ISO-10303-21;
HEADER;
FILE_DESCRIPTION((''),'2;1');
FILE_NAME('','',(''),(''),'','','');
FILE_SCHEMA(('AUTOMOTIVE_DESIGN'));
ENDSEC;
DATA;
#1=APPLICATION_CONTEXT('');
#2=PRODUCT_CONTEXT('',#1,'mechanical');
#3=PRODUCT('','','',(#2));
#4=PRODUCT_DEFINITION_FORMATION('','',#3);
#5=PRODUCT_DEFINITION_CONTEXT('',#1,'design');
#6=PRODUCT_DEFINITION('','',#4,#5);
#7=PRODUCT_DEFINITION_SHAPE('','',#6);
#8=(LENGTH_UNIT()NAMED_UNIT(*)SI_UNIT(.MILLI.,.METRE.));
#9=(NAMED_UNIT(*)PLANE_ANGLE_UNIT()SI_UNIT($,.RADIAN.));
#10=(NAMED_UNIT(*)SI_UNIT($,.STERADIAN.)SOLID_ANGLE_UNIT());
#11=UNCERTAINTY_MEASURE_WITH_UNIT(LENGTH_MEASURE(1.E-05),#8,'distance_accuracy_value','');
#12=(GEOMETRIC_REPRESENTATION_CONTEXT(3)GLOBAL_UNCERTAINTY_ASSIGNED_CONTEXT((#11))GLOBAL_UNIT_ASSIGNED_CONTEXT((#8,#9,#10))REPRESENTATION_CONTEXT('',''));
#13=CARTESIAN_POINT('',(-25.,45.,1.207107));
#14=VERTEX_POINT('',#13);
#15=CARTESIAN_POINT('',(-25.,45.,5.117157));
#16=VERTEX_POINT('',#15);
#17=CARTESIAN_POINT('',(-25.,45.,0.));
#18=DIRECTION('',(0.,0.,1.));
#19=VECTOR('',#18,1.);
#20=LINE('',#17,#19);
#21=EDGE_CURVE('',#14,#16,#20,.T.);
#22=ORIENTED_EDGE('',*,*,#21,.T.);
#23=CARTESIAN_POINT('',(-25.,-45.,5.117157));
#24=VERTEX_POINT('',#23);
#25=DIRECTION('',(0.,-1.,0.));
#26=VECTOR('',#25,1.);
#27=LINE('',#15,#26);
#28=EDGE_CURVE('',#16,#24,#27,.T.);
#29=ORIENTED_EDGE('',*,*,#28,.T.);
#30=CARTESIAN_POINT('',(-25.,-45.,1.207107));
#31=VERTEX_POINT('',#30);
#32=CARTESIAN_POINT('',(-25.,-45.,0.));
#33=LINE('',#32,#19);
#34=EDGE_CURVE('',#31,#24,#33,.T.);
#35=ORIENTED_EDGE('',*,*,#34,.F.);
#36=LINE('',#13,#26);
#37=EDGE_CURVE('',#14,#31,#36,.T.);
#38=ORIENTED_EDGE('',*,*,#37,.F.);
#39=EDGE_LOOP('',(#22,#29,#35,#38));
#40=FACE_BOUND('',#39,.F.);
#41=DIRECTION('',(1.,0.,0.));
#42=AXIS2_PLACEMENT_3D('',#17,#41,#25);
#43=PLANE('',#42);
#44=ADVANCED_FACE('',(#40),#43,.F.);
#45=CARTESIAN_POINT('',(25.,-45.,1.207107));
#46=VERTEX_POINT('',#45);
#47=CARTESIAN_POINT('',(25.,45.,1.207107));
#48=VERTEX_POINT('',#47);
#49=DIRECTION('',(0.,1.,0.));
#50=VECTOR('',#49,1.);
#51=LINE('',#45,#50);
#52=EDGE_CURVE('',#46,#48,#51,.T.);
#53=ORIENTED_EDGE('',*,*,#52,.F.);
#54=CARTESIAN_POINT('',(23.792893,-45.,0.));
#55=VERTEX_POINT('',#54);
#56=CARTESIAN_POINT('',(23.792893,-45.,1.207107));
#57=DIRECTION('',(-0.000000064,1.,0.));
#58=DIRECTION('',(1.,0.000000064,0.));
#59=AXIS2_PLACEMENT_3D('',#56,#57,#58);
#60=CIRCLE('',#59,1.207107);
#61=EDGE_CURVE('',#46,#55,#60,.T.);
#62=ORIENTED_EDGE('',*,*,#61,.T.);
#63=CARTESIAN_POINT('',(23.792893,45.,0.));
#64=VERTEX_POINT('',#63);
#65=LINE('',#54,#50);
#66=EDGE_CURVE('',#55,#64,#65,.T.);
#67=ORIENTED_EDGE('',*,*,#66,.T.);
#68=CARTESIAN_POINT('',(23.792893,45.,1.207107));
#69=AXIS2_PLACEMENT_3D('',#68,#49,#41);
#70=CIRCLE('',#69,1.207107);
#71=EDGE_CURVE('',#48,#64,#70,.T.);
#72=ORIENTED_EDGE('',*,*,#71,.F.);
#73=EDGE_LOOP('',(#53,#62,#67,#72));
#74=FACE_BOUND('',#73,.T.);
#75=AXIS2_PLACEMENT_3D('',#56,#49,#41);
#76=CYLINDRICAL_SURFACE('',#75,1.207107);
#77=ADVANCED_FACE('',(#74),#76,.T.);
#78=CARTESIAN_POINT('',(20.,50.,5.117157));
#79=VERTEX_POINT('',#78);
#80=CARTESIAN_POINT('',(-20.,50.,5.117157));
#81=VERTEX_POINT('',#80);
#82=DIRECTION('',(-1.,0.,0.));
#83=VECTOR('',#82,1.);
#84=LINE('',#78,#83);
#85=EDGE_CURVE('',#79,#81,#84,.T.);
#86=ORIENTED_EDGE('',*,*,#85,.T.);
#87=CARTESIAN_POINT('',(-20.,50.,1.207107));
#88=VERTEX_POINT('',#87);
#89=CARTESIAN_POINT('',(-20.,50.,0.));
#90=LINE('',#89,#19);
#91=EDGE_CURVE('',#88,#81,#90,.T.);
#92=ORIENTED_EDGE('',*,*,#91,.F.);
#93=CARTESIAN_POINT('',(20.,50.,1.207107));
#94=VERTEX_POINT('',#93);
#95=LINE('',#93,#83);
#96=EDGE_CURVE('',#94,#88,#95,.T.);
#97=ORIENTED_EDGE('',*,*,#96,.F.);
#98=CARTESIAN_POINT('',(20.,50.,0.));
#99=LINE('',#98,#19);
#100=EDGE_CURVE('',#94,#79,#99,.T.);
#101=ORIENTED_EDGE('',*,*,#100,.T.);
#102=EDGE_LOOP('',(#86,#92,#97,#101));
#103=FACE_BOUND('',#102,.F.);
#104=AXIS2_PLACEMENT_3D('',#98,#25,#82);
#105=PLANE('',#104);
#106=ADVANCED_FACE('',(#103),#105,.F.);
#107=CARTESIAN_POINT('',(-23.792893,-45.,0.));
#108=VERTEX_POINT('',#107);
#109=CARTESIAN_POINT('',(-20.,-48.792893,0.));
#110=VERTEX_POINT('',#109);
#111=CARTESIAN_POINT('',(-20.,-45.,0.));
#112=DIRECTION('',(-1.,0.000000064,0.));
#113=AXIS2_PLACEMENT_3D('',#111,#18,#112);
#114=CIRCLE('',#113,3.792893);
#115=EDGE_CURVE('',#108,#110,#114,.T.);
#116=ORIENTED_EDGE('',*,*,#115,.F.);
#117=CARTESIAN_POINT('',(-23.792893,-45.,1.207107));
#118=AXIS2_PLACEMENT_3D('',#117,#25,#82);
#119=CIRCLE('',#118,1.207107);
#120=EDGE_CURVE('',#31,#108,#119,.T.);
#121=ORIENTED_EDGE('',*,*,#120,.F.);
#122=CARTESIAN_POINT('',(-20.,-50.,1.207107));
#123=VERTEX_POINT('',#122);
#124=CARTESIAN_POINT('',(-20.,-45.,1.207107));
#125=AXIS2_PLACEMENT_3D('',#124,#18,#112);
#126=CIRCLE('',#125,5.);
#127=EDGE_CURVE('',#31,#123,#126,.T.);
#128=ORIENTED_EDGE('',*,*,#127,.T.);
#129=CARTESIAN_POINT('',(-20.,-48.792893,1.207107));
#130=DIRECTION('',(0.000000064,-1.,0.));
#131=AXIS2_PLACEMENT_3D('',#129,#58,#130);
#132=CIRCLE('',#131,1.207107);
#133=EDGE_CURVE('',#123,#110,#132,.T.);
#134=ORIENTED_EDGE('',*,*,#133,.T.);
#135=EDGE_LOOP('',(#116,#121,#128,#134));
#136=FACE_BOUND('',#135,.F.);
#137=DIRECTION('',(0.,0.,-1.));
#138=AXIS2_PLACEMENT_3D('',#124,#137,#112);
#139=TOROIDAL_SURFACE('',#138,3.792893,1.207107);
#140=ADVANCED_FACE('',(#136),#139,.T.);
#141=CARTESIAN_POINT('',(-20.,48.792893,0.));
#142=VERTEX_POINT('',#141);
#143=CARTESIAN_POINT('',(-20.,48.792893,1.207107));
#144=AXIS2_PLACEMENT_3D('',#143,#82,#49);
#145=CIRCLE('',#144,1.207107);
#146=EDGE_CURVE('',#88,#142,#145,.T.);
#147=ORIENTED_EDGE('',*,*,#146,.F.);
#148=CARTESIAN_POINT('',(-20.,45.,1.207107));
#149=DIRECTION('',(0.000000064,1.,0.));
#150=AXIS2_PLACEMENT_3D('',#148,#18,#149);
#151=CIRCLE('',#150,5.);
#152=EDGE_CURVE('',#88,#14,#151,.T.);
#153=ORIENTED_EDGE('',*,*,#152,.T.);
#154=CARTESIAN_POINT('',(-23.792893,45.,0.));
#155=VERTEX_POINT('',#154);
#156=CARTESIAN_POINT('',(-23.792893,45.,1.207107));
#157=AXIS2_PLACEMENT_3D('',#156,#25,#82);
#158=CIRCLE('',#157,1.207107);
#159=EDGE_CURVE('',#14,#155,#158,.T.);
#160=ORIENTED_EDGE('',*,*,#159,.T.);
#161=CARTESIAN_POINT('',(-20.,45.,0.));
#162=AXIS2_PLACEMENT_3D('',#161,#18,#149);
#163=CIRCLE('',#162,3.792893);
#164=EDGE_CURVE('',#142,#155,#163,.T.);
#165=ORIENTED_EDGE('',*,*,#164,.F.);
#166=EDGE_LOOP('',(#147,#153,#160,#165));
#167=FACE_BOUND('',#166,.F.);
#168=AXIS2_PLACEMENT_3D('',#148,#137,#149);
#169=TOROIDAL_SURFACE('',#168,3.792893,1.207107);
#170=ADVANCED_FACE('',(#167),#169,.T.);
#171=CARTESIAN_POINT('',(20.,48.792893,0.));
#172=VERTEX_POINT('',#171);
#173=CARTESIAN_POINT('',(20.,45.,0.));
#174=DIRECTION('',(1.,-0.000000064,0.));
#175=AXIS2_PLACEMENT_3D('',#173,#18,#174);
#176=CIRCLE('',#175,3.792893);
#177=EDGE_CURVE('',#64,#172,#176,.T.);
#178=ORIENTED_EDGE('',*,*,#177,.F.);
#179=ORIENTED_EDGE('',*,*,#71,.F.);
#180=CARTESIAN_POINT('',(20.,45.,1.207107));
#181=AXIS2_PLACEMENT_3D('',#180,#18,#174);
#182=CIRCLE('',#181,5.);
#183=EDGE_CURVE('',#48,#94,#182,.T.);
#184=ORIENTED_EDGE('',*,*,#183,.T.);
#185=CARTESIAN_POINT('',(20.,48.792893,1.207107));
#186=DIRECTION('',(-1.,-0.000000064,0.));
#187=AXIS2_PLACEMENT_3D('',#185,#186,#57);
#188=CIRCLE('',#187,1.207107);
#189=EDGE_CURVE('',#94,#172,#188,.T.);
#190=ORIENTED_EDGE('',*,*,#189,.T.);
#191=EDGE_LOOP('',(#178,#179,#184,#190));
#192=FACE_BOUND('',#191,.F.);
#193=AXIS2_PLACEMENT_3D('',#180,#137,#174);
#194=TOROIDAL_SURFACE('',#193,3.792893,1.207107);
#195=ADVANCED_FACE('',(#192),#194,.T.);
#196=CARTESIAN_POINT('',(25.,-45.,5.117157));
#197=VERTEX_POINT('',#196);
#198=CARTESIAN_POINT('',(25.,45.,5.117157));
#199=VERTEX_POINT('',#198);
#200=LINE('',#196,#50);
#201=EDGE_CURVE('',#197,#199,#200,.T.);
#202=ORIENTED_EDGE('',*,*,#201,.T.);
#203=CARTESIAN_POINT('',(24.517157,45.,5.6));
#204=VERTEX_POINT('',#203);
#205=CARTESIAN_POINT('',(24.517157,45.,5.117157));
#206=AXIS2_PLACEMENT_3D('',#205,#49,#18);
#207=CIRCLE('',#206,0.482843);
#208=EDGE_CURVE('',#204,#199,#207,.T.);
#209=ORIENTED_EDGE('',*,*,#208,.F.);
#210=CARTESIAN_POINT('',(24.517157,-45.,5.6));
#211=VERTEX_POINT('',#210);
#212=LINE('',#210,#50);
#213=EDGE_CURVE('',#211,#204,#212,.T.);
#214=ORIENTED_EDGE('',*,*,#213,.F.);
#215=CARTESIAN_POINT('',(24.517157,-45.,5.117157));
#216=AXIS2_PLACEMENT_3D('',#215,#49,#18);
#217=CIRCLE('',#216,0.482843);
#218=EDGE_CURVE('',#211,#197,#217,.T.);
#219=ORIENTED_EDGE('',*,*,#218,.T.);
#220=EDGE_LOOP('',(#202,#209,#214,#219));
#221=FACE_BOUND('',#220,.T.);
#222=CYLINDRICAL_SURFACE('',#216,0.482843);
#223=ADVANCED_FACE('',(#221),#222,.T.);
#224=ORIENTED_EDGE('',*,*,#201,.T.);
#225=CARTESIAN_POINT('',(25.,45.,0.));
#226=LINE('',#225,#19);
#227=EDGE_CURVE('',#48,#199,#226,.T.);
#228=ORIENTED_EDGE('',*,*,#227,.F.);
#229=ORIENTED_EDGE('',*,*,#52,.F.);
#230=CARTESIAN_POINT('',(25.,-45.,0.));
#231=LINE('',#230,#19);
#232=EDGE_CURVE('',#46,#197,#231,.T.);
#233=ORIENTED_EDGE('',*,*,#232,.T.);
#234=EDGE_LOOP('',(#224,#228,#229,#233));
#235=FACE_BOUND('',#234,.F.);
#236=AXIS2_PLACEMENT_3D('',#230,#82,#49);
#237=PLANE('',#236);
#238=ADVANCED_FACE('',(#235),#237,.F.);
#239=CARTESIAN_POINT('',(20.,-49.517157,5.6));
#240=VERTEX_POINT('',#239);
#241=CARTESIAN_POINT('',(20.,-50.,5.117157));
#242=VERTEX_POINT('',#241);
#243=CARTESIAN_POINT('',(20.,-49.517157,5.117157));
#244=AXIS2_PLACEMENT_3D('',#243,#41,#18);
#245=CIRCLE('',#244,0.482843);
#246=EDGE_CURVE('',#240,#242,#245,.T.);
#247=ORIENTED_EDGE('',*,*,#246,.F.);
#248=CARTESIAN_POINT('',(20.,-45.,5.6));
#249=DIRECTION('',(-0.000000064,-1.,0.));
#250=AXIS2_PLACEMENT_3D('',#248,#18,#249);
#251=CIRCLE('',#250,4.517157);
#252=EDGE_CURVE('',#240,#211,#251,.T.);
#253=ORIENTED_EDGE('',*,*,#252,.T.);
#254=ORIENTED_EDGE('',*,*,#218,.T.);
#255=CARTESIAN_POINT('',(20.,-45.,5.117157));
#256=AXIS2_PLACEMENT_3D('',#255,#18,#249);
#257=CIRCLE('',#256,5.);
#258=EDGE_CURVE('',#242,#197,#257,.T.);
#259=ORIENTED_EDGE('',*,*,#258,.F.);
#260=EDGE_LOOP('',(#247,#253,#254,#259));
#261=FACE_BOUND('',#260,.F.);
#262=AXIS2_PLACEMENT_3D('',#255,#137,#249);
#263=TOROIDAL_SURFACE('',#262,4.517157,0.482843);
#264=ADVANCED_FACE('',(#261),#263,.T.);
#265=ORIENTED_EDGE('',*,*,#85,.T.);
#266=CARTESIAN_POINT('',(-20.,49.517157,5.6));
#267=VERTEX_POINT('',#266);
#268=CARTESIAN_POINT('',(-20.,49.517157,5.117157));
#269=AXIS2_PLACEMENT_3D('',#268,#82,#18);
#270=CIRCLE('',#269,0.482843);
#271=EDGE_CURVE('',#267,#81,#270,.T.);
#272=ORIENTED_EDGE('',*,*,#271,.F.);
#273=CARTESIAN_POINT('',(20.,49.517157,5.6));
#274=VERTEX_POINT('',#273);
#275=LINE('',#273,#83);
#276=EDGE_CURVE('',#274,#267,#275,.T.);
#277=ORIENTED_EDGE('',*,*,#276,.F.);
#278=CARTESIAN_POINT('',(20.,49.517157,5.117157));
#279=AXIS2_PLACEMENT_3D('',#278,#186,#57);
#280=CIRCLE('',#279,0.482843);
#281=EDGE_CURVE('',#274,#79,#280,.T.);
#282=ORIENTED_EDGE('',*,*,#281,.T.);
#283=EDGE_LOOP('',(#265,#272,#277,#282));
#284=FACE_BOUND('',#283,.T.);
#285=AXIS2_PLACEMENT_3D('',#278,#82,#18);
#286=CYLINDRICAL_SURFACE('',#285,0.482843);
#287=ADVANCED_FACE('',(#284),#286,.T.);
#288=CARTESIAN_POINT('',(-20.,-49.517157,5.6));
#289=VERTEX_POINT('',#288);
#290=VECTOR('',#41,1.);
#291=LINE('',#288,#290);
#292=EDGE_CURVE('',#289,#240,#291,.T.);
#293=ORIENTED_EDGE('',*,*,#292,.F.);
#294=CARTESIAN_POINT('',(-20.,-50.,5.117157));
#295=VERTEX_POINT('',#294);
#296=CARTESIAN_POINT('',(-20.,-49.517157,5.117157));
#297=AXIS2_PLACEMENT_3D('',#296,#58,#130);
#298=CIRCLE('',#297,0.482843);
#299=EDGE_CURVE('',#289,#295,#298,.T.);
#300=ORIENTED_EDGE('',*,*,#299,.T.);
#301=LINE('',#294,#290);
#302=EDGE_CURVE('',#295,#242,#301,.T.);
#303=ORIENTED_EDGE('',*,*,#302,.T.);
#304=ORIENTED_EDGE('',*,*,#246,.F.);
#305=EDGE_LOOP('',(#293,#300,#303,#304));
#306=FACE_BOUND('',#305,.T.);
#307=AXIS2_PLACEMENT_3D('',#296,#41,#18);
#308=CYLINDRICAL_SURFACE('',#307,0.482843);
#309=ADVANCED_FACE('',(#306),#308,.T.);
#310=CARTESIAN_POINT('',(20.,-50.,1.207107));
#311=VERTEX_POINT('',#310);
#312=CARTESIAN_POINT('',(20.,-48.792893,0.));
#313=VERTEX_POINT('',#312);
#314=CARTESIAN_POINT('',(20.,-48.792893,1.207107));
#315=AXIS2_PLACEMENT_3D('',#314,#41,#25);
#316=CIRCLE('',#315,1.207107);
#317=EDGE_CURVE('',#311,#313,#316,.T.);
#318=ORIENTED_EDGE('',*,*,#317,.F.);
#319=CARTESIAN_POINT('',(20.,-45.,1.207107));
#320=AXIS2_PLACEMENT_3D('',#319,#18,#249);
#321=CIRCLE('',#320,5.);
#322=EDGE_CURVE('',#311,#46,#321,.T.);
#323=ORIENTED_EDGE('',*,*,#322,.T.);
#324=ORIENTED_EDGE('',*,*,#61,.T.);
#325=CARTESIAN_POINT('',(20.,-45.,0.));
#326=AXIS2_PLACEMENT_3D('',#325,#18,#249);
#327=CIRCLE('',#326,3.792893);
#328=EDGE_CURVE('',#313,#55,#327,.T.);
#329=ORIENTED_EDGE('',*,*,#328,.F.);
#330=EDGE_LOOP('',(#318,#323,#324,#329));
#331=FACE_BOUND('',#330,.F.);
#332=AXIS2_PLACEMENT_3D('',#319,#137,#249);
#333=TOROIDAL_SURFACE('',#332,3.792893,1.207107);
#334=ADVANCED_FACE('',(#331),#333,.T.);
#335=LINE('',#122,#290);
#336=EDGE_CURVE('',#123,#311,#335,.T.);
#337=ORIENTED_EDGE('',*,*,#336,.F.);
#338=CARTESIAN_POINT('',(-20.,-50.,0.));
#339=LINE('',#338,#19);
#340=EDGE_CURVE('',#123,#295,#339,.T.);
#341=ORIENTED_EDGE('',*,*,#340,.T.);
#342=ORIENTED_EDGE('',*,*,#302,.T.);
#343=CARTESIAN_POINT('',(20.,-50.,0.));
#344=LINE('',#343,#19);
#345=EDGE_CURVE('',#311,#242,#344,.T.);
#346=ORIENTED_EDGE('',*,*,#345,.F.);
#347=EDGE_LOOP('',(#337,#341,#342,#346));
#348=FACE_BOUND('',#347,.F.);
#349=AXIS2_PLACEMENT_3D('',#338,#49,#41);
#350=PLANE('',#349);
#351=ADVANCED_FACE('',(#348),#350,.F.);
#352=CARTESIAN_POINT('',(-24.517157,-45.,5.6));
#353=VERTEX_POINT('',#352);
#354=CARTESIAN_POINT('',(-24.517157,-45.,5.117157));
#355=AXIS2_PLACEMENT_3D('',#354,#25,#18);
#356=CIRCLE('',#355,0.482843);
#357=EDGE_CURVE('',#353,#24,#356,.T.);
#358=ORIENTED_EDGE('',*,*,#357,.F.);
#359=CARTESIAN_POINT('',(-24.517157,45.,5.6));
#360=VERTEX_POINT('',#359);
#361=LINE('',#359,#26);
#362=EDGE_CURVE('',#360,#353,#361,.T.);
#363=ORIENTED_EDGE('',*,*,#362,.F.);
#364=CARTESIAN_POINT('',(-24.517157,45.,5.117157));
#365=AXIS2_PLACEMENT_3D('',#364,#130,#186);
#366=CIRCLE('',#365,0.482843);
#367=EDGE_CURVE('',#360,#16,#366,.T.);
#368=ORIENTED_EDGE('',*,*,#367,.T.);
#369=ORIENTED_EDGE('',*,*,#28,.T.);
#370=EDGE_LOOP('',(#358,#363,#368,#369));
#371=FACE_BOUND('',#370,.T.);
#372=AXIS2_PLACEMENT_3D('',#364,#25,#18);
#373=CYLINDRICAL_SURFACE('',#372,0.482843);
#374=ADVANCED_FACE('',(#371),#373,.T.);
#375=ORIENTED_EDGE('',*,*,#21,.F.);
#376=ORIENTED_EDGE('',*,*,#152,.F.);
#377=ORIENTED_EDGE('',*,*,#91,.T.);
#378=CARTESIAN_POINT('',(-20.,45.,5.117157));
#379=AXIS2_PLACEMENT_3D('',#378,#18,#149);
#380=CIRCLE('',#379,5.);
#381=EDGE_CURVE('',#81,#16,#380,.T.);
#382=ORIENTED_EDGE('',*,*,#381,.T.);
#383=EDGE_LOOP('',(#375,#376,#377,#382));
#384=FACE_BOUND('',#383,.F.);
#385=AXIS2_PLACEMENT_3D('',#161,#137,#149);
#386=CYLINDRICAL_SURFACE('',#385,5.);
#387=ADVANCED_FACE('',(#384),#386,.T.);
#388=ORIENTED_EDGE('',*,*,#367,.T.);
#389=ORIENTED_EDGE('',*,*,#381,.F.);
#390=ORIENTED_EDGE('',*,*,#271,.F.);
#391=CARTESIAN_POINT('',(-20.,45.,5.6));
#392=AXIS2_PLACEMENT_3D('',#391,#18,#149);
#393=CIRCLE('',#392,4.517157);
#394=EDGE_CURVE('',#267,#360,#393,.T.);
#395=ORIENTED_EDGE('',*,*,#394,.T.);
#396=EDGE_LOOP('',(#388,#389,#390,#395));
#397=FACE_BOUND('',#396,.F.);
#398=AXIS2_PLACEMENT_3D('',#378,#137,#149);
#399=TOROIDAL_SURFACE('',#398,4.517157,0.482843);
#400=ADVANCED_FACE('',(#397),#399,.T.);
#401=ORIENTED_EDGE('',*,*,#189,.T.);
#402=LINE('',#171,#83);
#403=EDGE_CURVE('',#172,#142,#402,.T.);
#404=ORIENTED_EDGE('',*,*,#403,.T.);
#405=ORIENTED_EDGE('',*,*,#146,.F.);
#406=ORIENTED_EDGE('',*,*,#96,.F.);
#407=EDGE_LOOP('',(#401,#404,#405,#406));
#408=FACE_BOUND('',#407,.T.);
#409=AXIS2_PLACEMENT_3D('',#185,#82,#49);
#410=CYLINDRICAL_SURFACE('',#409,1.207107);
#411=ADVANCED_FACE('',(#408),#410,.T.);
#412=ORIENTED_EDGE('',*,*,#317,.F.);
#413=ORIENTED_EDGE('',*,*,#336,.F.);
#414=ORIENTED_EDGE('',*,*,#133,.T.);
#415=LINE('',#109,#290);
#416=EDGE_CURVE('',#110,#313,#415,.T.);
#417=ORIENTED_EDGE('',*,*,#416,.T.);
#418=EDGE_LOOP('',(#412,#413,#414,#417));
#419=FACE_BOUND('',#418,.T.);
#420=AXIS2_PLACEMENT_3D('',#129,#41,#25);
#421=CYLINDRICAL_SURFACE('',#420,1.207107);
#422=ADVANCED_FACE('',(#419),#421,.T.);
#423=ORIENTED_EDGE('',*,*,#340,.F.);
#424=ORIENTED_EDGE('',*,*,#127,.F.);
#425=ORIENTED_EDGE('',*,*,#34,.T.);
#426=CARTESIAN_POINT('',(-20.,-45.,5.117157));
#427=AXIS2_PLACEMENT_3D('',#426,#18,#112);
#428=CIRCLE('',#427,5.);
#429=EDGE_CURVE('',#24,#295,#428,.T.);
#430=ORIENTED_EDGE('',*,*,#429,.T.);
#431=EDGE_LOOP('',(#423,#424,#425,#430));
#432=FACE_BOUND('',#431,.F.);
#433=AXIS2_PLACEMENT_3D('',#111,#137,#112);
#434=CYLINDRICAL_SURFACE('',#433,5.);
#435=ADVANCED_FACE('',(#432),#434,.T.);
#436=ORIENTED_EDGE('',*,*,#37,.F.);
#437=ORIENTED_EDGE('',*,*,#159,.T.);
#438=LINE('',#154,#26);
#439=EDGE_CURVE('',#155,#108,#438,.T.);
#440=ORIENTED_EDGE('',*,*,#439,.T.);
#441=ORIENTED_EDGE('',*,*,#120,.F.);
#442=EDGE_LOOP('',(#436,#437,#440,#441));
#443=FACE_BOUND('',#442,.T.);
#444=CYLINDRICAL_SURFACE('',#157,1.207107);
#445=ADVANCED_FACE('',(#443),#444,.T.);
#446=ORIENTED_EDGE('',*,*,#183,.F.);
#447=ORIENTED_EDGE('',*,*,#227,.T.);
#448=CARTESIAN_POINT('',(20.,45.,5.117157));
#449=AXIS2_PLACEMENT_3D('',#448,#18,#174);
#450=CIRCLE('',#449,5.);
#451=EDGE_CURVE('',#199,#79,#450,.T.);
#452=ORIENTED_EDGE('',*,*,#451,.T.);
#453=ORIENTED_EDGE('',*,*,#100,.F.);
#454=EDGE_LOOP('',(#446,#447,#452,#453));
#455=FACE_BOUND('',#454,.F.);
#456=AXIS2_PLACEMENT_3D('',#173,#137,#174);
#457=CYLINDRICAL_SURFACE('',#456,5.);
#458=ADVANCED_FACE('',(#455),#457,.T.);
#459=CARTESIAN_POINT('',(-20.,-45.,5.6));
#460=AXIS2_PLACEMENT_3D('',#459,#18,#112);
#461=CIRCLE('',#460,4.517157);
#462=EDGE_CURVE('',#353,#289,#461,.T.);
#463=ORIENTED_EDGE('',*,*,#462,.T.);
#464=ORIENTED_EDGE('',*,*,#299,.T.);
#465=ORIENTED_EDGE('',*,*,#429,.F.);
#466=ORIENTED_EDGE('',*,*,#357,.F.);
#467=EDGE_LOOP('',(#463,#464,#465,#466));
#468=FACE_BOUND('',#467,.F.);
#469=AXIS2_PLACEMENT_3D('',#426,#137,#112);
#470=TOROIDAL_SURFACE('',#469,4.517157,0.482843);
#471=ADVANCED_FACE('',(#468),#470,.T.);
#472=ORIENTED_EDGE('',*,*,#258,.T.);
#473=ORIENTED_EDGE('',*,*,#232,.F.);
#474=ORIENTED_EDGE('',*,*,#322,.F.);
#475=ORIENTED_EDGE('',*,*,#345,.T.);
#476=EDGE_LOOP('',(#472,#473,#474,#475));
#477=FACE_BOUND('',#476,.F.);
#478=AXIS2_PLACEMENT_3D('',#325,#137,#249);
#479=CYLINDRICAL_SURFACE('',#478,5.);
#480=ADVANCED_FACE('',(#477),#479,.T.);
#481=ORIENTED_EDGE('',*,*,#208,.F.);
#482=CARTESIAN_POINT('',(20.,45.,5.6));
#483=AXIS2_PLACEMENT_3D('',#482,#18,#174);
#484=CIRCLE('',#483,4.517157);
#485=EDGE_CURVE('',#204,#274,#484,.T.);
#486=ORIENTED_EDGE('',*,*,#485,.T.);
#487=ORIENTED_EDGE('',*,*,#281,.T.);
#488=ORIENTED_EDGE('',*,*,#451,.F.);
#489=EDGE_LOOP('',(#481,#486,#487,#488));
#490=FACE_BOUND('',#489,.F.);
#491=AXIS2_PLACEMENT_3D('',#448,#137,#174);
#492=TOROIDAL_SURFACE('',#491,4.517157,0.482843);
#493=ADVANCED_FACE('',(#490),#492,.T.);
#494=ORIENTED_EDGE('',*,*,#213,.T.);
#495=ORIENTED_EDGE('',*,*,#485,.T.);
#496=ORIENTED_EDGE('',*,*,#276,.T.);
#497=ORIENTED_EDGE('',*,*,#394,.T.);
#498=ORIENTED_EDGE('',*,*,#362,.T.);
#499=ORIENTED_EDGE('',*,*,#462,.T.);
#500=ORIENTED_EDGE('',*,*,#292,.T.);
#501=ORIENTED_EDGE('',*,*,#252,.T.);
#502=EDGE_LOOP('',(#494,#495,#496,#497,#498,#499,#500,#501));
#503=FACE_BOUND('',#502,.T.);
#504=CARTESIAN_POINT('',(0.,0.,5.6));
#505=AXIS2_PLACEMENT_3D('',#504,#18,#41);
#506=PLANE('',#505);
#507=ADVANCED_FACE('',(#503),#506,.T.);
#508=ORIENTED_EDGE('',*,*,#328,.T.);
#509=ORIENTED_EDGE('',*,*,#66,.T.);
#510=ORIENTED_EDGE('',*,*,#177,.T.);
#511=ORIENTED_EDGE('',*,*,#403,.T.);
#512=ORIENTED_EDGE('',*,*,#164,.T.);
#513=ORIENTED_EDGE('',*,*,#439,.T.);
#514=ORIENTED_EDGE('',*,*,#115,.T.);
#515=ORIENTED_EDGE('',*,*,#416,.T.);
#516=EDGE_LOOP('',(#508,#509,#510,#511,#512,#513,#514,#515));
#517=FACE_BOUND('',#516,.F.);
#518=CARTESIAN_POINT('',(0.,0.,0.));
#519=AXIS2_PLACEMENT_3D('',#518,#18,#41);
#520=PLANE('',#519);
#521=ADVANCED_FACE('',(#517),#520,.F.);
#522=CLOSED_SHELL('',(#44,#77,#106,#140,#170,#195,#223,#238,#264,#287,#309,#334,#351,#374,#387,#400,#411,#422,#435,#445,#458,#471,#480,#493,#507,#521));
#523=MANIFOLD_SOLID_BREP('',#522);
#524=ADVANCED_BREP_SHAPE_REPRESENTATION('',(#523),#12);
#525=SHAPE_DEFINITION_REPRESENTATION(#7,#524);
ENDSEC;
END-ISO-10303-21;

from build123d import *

# Parameters (mm, degrees)
F1_DEPTH = 5.6
F2_R     = 1.207107
F3_R     = 0.482843


with BuildPart() as f1:
    # F0 (on Top) → F1 (new body)
    with BuildSketch(Plane.XY):
        with BuildLine():
            Line((20, 50), (-20, 50))
            ThreePointArc((-20, 50), (-23.535534, 48.535534), (-25, 45))
            Line((-25, 45), (-25, -45))
            ThreePointArc((-25, -45), (-23.535534, -48.535534), (-20, -50))
            Line((-20, -50), (20, -50))
            ThreePointArc((20, -50), (23.535534, -48.535534), (25, -45))
            Line((25, -45), (25, 45))
            ThreePointArc((25, 45), (23.535534, 48.535534), (20, 50))
        make_face()
    extrude(amount=F1_DEPTH)

    # F2
    f2_edges = [f1.edges().sort_by_distance(p)[0] for p in [
        (-25, 0, 0),
    ]]
    fillet(f2_edges, radius=F2_R)

    # F3
    f3_edges = [f1.edges().sort_by_distance(p)[0] for p in [
        (25, 0, 5.6),
    ]]
    fillet(f3_edges, radius=F3_R)


solid = f1.part
